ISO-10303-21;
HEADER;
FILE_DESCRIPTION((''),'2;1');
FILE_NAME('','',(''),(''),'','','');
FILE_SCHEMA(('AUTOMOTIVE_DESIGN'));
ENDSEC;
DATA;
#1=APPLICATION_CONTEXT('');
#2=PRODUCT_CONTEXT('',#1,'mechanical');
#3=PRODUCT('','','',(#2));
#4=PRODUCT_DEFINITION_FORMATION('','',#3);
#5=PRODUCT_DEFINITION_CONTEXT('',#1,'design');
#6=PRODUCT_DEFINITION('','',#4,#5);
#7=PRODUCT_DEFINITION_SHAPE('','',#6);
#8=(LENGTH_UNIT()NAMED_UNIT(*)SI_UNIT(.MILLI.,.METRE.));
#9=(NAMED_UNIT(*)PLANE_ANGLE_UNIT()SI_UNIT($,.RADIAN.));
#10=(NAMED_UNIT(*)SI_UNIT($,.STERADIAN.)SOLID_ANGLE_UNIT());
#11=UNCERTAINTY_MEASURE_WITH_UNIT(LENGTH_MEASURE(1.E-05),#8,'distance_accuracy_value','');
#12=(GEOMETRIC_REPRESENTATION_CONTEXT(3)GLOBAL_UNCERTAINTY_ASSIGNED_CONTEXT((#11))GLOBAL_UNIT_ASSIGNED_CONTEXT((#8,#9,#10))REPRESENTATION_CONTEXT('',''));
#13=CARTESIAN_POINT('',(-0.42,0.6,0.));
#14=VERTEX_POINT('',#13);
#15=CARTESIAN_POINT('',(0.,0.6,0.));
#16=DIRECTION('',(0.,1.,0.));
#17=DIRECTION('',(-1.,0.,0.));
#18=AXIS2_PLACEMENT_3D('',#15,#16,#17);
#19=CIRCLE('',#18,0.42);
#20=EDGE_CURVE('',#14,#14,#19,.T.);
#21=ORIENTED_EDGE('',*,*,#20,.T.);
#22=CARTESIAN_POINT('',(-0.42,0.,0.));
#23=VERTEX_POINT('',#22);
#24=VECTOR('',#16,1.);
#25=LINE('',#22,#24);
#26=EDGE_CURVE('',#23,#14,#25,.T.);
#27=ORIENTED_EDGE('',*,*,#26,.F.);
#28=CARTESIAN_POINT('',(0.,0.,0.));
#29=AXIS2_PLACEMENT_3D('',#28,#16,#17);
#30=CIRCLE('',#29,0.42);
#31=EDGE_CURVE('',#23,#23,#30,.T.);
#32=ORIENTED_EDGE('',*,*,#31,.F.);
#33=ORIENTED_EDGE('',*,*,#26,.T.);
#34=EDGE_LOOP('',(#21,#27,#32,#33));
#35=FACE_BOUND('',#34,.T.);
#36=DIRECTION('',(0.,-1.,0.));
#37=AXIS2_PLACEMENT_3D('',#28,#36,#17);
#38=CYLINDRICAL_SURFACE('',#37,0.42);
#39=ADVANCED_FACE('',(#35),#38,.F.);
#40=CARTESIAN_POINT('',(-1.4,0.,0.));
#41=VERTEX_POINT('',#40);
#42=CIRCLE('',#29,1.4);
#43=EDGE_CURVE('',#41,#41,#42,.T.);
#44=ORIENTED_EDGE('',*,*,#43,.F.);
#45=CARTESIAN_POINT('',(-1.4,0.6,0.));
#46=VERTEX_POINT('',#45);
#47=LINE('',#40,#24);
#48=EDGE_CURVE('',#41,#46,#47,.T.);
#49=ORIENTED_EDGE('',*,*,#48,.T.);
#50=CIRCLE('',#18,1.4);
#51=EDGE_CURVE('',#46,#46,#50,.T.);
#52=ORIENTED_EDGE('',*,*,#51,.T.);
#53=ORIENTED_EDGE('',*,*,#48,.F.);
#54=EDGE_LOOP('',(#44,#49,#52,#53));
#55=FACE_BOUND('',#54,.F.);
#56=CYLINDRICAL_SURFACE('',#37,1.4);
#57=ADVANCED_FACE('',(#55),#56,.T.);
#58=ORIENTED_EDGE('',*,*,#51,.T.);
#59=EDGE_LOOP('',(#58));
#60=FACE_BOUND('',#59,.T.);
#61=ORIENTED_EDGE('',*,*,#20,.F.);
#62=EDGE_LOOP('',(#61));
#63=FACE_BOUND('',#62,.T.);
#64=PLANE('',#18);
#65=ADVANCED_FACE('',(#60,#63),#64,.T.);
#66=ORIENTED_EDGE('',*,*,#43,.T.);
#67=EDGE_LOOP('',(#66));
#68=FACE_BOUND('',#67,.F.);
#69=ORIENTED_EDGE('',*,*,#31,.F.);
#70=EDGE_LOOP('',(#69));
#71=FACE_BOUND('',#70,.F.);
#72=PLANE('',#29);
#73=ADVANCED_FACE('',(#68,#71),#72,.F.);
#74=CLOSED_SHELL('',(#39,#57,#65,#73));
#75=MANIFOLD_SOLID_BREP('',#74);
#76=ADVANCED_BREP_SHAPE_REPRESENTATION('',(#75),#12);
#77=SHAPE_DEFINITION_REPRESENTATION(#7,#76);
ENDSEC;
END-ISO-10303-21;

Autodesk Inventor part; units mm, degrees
ref_plane "YZ Plane" through (0, 0, 0) normal (1, 0, 0) x (0, 1, 0)
ref_plane "XZ Plane" through (0, 0, 0) normal (0, 1, 0) x (-1, 0, 0)
ref_plane "XY Plane" through (0, 0, 0) normal (0, 0, 1) x (1, 0, 0)
sketch "Boceto1" plane through (0, 0, 0) normal (0, 1, 0) x (-1, 0, 0)
  circle A0 centre (0, 0) radius 1.4
  circle A1 centre (0, 0) radius 0.42
  dimension "d0" = 2.8
  dimension "d1" = 0.84
extrude "Extrusión1" add sketch "Boceto1" along normal blind 0.6
